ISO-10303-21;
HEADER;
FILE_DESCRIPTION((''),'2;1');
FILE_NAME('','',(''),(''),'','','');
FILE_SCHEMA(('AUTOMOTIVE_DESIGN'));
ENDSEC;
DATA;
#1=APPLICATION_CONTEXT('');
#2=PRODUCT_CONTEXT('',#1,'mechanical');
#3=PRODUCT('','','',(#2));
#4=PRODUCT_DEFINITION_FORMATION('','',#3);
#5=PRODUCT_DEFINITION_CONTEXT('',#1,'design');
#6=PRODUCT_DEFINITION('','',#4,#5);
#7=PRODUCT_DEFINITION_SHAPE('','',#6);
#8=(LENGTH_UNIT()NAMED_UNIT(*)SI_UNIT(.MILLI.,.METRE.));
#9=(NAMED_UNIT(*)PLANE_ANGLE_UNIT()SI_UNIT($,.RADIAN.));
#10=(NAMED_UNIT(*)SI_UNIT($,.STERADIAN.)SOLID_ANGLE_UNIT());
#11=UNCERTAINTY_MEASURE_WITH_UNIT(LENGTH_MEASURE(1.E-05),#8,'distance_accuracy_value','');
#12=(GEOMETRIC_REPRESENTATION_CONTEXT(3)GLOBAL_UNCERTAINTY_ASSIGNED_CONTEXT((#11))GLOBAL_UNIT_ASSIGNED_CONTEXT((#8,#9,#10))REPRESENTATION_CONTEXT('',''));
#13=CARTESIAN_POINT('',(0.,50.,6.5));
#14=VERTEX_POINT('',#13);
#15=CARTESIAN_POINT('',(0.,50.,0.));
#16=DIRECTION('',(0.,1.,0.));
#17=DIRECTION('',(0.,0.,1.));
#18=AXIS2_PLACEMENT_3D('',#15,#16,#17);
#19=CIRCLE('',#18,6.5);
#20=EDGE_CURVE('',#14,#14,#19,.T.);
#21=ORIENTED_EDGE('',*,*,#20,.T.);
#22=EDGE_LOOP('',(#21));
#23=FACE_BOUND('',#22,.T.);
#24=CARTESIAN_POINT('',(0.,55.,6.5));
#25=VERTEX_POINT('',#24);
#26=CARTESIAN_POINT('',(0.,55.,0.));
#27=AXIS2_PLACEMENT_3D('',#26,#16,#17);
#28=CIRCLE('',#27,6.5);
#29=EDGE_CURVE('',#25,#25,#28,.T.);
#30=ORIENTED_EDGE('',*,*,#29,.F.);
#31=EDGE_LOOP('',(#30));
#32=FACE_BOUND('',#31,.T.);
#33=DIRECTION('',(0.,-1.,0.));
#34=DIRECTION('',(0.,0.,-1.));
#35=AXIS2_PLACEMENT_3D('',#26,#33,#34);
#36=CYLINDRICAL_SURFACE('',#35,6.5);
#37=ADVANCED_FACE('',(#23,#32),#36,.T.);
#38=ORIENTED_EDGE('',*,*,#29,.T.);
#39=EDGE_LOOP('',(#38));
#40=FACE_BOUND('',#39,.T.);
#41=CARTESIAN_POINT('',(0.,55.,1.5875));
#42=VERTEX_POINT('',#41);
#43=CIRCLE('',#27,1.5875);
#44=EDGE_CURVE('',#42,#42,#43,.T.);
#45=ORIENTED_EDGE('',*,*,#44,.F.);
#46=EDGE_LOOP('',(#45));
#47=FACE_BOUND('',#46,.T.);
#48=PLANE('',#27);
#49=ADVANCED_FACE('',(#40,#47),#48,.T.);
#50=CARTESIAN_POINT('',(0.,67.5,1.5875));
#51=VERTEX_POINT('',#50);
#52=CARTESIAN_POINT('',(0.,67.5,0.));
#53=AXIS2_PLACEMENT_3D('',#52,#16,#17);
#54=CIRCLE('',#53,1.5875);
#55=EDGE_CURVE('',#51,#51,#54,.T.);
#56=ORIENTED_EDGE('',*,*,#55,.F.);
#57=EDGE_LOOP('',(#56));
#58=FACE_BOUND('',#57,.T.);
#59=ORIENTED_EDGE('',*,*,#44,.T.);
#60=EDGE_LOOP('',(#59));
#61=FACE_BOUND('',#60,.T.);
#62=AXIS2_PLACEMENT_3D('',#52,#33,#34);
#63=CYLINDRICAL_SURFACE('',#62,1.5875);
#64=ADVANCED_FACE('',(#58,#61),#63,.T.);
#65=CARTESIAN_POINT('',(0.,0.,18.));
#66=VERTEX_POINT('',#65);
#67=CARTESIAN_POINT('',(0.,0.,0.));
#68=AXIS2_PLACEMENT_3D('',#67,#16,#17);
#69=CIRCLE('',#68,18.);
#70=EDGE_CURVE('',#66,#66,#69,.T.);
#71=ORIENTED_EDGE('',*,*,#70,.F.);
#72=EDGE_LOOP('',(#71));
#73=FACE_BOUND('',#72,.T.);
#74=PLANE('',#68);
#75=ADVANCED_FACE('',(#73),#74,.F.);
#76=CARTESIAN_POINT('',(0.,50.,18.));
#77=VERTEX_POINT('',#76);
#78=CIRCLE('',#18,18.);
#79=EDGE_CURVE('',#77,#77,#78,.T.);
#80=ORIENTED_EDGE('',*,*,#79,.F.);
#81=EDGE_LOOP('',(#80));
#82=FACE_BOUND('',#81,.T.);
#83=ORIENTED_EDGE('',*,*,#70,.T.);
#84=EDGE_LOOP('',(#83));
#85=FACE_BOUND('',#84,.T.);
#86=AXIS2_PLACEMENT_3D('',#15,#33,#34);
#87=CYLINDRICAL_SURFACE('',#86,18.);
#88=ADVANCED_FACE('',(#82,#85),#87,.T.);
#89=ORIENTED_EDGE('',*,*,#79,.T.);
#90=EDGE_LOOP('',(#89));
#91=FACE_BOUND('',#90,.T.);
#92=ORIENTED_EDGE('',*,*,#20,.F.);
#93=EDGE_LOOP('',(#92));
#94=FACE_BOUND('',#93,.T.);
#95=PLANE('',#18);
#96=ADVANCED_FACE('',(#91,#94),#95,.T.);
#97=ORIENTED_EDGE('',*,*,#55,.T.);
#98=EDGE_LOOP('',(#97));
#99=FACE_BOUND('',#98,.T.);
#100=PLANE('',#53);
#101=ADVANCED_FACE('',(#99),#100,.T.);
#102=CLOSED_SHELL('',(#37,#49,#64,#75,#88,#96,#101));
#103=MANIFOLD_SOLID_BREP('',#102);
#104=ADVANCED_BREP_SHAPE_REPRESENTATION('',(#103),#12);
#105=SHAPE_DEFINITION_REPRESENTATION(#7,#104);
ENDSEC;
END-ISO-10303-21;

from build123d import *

# Parameters (mm, degrees)
SKETCH1_R           = 18
BOSS_EXTRUDE1_DEPTH = 50
BOSS_EXTRUDE2_START = 50
SKETCH2_R           = 6.5
BOSS_EXTRUDE2_DEPTH = 5
BOSS_EXTRUDE3_START = 55
SKETCH3_R           = 1.5875
BOSS_EXTRUDE3_DEPTH = 12.5


with BuildPart() as part:
    # Sketch1 → Boss-Extrude1 (new body)
    with BuildSketch(Plane(origin=(0, 0, 0), x_dir=(1, 0, 0), z_dir=(0, 1, 0))):
        Circle(SKETCH1_R)
    extrude(amount=BOSS_EXTRUDE1_DEPTH)

    # Sketch2 → Boss-Extrude2 (add)
    with BuildSketch(Plane(origin=(0, 0, 0), x_dir=(1, 0, 0), z_dir=(0, 1, 0)).offset(BOSS_EXTRUDE2_START)):
        Circle(SKETCH2_R)
    extrude(amount=BOSS_EXTRUDE2_DEPTH)

    # Sketch3 → Boss-Extrude3 (add)
    with BuildSketch(Plane(origin=(0, 0, 0), x_dir=(1, 0, 0), z_dir=(0, 1, 0)).offset(BOSS_EXTRUDE3_START)):
        Circle(SKETCH3_R)
    extrude(amount=BOSS_EXTRUDE3_DEPTH)


solid = part.part
